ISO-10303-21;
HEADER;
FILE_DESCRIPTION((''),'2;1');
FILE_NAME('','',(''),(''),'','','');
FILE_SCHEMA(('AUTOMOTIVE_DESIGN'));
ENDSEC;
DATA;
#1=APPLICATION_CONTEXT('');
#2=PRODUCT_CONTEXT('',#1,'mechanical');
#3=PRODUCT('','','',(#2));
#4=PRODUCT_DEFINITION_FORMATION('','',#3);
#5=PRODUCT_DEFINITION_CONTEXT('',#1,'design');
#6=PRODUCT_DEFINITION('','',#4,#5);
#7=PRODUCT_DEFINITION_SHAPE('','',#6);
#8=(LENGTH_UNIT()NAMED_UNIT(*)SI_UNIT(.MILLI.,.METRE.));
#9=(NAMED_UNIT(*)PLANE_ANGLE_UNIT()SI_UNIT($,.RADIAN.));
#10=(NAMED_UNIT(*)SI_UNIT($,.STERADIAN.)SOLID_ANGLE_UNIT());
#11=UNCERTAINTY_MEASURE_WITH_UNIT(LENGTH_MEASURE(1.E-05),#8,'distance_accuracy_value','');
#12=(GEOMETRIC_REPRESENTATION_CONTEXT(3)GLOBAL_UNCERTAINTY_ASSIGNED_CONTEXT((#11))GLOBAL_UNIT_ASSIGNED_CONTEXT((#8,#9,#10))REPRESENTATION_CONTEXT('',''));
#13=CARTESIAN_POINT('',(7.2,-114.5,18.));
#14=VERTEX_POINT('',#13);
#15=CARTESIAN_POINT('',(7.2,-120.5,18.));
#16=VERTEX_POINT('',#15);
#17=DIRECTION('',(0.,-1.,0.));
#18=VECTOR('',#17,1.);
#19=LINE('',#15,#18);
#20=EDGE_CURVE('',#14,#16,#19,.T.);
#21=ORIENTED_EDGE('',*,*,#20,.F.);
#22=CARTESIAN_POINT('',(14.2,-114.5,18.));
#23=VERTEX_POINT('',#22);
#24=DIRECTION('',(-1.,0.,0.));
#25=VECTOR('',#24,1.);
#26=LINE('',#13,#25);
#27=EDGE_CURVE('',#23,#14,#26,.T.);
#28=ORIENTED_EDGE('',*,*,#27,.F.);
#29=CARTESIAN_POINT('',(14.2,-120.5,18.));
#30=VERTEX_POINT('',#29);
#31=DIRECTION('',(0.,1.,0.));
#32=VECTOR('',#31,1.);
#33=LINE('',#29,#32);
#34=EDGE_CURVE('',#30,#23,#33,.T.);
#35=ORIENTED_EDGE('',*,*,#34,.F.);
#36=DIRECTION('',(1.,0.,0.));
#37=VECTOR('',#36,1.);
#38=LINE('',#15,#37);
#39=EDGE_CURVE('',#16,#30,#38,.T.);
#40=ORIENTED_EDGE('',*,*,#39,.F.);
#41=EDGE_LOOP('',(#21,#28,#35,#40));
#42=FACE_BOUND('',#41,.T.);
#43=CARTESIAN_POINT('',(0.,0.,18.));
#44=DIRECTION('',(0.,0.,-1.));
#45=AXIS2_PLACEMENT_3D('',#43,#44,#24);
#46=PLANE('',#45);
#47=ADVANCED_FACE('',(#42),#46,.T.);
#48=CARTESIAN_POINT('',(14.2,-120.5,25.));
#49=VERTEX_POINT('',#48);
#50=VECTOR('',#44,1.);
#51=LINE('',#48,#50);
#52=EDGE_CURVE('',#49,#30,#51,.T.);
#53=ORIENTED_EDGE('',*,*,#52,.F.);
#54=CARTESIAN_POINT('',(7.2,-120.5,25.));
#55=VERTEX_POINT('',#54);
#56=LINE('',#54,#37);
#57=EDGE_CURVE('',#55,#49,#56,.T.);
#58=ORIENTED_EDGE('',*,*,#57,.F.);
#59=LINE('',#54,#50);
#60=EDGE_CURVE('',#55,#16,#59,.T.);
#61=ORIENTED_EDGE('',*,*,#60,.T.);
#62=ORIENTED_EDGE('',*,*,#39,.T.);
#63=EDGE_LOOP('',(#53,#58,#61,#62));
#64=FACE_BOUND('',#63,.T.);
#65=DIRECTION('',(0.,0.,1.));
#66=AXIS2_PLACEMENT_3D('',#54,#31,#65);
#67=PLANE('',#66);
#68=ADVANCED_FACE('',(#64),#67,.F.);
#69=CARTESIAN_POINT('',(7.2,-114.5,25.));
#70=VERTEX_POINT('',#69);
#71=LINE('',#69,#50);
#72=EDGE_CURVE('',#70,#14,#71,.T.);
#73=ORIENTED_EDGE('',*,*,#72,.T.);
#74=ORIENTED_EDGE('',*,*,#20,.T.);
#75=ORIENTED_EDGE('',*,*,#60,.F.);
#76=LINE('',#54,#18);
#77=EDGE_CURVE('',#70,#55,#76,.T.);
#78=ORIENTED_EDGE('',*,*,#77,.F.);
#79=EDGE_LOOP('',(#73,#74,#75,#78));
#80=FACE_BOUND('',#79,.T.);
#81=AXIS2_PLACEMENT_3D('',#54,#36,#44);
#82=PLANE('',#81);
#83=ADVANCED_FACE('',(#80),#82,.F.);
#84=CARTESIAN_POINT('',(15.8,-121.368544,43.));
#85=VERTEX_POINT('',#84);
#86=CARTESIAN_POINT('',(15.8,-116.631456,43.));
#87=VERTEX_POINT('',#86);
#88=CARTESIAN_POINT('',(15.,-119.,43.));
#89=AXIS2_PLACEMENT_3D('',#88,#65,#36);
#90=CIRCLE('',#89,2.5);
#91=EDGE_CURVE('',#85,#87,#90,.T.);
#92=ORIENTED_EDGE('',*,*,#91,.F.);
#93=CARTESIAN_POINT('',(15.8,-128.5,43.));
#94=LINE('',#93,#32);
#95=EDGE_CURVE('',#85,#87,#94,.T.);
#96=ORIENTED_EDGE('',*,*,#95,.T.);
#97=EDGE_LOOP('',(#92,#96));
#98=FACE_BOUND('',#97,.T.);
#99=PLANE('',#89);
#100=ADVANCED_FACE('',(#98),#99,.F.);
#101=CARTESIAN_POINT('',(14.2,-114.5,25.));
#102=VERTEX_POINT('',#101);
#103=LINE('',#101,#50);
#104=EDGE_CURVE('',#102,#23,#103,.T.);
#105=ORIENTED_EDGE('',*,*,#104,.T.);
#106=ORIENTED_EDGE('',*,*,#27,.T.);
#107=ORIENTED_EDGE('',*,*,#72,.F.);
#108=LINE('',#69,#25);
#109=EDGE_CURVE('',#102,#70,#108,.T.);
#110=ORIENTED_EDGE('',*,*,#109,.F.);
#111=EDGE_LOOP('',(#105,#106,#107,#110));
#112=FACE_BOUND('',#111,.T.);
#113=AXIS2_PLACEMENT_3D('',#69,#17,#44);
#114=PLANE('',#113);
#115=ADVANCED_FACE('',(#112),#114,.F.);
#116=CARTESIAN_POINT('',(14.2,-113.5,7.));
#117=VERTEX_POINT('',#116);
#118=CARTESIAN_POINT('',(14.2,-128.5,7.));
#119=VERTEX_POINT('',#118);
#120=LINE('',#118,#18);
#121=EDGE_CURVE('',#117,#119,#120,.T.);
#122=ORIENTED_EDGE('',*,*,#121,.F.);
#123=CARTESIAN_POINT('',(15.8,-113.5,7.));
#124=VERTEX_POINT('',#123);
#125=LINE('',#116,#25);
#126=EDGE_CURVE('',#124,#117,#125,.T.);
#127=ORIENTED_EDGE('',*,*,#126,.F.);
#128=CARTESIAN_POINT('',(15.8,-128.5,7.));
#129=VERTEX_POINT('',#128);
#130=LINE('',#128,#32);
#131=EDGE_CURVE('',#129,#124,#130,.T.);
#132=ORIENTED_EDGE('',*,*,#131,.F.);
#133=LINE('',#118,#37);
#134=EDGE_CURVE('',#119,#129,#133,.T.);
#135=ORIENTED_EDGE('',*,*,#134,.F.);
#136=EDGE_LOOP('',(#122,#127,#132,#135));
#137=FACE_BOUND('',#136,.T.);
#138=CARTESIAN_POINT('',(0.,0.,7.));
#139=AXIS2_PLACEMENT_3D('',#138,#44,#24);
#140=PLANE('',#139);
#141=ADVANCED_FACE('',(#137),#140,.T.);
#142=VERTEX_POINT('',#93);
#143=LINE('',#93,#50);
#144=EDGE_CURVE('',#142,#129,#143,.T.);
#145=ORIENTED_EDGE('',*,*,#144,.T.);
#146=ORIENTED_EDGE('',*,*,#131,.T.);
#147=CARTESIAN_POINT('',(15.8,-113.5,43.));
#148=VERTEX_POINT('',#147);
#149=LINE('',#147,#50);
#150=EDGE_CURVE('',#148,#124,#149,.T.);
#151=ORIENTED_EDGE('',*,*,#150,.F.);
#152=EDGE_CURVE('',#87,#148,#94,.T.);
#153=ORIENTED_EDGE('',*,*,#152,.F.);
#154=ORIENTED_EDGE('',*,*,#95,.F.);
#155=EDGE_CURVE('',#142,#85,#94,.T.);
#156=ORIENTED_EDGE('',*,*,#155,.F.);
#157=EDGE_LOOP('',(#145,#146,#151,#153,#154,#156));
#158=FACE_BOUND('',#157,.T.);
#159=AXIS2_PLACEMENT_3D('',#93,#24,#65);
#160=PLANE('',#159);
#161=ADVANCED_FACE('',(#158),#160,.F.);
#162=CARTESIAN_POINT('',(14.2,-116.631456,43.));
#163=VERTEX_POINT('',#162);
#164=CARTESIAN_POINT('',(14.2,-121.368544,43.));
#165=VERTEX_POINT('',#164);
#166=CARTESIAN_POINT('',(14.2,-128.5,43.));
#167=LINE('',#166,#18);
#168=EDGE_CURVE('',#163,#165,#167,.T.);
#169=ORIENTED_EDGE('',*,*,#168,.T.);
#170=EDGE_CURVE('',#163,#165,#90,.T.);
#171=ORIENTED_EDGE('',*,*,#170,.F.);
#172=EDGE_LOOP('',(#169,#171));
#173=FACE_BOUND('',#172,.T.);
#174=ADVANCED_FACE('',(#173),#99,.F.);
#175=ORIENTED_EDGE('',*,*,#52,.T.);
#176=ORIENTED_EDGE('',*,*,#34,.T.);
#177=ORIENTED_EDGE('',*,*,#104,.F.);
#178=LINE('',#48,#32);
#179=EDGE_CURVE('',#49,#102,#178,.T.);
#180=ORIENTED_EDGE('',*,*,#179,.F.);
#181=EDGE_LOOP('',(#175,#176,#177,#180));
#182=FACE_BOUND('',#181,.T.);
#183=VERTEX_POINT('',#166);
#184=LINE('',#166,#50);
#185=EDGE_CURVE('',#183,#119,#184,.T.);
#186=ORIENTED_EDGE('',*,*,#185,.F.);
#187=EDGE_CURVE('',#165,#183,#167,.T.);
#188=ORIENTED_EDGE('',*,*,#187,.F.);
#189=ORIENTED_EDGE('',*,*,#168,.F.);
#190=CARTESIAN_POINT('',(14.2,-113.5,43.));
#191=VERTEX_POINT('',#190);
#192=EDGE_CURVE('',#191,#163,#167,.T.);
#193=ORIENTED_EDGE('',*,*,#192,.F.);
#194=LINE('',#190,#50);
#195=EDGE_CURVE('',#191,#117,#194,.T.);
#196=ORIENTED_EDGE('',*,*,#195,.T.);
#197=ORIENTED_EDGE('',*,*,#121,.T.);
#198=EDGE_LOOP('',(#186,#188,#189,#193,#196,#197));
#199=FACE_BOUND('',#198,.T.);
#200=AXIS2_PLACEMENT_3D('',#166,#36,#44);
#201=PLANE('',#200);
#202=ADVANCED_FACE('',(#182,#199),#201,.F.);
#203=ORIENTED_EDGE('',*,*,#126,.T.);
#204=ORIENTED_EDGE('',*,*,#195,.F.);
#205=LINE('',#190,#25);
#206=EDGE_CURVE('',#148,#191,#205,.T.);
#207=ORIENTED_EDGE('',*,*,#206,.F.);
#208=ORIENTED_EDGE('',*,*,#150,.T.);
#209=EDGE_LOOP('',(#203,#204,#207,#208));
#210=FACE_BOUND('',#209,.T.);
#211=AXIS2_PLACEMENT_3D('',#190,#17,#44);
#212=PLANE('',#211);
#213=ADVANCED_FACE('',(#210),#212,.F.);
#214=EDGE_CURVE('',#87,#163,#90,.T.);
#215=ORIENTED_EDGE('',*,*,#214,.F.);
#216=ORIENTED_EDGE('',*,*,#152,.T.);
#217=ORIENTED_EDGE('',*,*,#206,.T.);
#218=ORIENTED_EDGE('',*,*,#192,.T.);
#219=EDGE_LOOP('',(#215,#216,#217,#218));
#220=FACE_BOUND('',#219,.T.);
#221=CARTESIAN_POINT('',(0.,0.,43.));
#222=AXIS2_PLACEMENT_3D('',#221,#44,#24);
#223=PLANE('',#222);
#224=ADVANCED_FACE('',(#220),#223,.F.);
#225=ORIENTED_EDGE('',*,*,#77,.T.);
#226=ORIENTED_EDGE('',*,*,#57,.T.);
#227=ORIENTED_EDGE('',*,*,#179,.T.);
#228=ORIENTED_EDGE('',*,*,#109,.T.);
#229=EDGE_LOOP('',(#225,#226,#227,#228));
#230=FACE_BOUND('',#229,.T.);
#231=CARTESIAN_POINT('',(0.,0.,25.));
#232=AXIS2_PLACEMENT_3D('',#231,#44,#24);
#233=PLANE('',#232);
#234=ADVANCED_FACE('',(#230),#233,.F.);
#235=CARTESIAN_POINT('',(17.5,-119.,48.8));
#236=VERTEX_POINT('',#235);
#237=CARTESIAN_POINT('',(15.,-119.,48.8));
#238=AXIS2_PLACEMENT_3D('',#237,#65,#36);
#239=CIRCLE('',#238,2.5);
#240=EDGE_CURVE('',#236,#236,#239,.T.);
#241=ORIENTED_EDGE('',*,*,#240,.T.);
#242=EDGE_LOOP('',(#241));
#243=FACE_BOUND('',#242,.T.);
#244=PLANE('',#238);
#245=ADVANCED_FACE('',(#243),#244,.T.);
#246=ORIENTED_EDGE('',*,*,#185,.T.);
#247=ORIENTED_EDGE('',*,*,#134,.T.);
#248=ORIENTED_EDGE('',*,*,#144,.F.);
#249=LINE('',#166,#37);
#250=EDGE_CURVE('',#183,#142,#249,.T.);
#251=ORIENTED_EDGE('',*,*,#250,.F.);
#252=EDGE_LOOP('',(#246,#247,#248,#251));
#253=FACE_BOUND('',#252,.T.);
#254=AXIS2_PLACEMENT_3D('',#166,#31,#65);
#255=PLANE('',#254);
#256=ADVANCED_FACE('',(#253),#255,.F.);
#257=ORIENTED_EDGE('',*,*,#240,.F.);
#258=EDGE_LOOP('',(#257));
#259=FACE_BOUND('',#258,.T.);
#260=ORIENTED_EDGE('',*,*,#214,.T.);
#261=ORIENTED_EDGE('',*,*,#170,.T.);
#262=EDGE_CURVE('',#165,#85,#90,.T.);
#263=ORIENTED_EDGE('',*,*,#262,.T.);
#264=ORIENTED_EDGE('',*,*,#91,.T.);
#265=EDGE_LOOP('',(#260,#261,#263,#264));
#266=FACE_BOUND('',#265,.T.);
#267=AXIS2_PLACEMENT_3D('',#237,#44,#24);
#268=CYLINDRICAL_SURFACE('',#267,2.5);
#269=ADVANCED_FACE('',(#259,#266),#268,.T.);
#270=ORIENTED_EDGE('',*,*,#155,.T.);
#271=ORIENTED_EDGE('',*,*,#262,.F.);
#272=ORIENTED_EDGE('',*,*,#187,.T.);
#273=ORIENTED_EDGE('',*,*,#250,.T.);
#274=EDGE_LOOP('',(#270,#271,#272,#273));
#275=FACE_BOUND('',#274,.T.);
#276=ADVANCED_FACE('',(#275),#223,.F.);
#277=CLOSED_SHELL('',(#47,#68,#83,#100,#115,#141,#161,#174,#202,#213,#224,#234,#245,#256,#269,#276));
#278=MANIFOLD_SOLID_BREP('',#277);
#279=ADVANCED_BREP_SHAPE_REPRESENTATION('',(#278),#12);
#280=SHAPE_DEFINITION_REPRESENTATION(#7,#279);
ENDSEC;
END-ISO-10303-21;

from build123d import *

# Parameters (mm, degrees)
SKETCH1_W           = 1.6
SKETCH1_H           = 15
BOSS_EXTRUDE1_DEPTH = 36
SKETCH2_R           = 2.5
BOSS_EXTRUDE2_DEPTH = 5.8
SKETCH3_W           = 7
SKETCH3_H           = 6
BOSS_EXTRUDE3_DEPTH = 7


with BuildPart() as part:
    # Sketch1 → Boss-Extrude1 (new body)
    with BuildSketch(Plane.XY.offset(7)):
        with Locations((15, -121)):
            Rectangle(SKETCH1_W, SKETCH1_H)
    extrude(amount=BOSS_EXTRUDE1_DEPTH)

    # Sketch2 → Boss-Extrude2 (add)
    with BuildSketch(Plane.XY.offset(43)):
        with Locations(Location((15, -119, 0), (0, 0, 108.662924885))):
            Circle(SKETCH2_R)
    extrude(amount=BOSS_EXTRUDE2_DEPTH)

    # Sketch3 → Boss-Extrude3 (add)
    with BuildSketch(Plane.XY.offset(18)):
        with Locations((10.7, -117.5)):
            Rectangle(SKETCH3_W, SKETCH3_H)
    extrude(amount=BOSS_EXTRUDE3_DEPTH)


solid = part.part
